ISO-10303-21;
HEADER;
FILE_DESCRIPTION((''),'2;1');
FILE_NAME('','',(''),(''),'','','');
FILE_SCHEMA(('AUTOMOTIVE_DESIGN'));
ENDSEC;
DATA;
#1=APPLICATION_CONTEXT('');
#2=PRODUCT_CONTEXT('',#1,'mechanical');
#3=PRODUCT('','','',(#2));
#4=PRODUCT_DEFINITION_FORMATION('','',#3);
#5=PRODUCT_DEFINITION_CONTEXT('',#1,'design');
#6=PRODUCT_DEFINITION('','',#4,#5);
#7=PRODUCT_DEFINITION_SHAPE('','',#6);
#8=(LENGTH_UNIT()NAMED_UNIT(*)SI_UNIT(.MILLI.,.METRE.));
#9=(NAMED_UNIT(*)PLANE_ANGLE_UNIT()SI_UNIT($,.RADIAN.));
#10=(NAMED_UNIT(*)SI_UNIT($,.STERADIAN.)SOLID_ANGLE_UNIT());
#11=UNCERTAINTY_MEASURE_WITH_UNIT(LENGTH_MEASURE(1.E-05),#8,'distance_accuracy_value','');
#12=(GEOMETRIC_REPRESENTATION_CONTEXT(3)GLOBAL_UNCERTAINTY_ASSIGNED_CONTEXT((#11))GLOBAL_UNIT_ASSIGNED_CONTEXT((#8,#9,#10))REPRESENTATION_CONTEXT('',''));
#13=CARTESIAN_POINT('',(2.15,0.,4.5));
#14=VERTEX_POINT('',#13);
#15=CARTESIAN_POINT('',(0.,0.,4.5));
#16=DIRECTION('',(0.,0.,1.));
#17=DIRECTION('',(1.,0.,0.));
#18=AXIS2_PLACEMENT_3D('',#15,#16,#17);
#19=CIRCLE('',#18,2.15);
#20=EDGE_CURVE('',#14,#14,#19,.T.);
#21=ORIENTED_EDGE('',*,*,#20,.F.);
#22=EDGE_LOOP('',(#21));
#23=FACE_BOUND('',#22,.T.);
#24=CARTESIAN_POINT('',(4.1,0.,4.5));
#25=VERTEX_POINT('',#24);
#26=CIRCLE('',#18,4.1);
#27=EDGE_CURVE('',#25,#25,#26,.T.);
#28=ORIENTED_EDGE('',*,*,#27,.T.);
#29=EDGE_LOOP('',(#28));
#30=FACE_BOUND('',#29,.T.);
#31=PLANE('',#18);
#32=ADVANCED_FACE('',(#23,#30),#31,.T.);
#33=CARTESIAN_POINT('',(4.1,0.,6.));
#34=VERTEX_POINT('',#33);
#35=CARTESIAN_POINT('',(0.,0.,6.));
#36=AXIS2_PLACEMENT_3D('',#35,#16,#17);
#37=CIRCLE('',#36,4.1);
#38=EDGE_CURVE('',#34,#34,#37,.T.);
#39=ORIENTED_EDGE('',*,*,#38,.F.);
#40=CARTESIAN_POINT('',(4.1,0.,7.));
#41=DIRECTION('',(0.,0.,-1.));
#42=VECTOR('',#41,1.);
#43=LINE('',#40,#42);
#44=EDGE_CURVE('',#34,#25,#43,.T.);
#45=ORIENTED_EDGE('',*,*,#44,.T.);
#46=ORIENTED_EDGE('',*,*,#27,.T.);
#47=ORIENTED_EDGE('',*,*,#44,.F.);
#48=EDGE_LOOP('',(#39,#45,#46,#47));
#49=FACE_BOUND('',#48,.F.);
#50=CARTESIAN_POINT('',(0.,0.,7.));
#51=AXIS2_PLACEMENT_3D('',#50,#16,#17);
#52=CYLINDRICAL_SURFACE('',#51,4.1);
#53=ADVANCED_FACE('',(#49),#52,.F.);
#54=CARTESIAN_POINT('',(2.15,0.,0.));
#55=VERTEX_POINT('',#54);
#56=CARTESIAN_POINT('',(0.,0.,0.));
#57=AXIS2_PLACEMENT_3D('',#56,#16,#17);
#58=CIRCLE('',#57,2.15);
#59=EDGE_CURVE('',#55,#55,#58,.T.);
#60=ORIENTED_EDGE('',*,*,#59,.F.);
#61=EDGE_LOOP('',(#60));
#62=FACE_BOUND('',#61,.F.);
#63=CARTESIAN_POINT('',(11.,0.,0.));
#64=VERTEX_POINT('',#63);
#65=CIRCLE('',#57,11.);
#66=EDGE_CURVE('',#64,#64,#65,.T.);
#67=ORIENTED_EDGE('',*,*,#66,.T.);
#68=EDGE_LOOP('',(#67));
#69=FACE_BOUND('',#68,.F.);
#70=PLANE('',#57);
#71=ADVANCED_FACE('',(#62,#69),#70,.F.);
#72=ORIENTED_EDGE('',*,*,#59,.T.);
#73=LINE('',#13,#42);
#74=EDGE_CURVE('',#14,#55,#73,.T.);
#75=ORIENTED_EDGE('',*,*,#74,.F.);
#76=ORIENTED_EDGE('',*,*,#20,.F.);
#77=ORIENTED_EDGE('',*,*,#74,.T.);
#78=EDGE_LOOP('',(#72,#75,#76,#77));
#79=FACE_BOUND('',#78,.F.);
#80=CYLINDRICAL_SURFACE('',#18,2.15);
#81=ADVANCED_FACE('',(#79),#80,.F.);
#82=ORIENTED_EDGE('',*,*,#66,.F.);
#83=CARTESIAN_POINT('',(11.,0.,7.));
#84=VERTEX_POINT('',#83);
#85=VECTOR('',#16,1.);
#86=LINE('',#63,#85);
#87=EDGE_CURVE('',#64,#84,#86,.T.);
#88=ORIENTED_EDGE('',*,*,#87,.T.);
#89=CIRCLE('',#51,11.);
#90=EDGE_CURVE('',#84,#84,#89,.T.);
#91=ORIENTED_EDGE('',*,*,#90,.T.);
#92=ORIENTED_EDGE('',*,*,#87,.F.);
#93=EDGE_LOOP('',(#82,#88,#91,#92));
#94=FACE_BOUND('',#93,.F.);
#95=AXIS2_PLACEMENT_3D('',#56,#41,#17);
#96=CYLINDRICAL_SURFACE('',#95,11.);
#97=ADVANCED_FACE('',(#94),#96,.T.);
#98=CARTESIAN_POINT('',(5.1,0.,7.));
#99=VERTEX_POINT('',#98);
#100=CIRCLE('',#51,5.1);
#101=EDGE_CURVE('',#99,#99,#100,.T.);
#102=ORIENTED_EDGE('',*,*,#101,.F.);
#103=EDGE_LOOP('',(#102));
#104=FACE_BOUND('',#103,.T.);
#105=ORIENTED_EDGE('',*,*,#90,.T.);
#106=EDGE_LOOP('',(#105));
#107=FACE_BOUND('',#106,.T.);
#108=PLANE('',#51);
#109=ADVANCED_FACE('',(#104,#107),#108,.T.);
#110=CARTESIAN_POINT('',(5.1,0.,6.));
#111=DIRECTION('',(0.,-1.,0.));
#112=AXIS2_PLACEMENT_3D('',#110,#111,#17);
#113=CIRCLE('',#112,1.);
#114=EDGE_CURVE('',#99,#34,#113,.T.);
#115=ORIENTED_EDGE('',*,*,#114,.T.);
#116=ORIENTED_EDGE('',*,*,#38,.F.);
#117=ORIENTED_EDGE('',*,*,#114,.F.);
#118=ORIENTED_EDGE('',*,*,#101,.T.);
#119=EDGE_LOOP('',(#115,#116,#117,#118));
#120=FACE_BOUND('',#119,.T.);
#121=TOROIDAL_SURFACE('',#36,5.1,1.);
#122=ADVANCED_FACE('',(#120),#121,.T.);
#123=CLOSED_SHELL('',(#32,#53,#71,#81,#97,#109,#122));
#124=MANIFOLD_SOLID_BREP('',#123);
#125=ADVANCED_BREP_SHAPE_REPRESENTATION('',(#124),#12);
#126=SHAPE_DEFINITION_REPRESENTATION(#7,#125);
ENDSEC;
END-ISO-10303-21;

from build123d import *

# Parameters (mm, degrees)
SKETCH1_R           = 11
BOSS_EXTRUDE1_DEPTH = 7
SKETCH2_R           = 4.1
CUT_EXTRUDE1_DEPTH  = 2.5
SKETCH3_R           = 2.15
CUT_EXTRUDE2_DEPTH  = 5.5
FILLET1_R           = 1


with BuildPart() as part:
    # Sketch1 → Boss-Extrude1 (new body)
    with BuildSketch(Plane.XY):
        Circle(SKETCH1_R)
    extrude(amount=BOSS_EXTRUDE1_DEPTH)

    # Sketch2 → Cut-Extrude1 (cut)
    with BuildSketch(Plane.XY.offset(7)):
        Circle(SKETCH2_R)
    extrude(amount=-CUT_EXTRUDE1_DEPTH, mode=Mode.SUBTRACT)

    # Sketch3 → Cut-Extrude2 (cut, through all)
    with BuildSketch(Plane.XY.offset(4.5)):
        Circle(SKETCH3_R)
    extrude(amount=-CUT_EXTRUDE2_DEPTH, mode=Mode.SUBTRACT)

    # Fillet1
    fillet1_edges = [part.edges().sort_by_distance(p)[0] for p in [
        (-4.1, 0, 7),
    ]]
    fillet(fillet1_edges, radius=FILLET1_R)


solid = part.part
